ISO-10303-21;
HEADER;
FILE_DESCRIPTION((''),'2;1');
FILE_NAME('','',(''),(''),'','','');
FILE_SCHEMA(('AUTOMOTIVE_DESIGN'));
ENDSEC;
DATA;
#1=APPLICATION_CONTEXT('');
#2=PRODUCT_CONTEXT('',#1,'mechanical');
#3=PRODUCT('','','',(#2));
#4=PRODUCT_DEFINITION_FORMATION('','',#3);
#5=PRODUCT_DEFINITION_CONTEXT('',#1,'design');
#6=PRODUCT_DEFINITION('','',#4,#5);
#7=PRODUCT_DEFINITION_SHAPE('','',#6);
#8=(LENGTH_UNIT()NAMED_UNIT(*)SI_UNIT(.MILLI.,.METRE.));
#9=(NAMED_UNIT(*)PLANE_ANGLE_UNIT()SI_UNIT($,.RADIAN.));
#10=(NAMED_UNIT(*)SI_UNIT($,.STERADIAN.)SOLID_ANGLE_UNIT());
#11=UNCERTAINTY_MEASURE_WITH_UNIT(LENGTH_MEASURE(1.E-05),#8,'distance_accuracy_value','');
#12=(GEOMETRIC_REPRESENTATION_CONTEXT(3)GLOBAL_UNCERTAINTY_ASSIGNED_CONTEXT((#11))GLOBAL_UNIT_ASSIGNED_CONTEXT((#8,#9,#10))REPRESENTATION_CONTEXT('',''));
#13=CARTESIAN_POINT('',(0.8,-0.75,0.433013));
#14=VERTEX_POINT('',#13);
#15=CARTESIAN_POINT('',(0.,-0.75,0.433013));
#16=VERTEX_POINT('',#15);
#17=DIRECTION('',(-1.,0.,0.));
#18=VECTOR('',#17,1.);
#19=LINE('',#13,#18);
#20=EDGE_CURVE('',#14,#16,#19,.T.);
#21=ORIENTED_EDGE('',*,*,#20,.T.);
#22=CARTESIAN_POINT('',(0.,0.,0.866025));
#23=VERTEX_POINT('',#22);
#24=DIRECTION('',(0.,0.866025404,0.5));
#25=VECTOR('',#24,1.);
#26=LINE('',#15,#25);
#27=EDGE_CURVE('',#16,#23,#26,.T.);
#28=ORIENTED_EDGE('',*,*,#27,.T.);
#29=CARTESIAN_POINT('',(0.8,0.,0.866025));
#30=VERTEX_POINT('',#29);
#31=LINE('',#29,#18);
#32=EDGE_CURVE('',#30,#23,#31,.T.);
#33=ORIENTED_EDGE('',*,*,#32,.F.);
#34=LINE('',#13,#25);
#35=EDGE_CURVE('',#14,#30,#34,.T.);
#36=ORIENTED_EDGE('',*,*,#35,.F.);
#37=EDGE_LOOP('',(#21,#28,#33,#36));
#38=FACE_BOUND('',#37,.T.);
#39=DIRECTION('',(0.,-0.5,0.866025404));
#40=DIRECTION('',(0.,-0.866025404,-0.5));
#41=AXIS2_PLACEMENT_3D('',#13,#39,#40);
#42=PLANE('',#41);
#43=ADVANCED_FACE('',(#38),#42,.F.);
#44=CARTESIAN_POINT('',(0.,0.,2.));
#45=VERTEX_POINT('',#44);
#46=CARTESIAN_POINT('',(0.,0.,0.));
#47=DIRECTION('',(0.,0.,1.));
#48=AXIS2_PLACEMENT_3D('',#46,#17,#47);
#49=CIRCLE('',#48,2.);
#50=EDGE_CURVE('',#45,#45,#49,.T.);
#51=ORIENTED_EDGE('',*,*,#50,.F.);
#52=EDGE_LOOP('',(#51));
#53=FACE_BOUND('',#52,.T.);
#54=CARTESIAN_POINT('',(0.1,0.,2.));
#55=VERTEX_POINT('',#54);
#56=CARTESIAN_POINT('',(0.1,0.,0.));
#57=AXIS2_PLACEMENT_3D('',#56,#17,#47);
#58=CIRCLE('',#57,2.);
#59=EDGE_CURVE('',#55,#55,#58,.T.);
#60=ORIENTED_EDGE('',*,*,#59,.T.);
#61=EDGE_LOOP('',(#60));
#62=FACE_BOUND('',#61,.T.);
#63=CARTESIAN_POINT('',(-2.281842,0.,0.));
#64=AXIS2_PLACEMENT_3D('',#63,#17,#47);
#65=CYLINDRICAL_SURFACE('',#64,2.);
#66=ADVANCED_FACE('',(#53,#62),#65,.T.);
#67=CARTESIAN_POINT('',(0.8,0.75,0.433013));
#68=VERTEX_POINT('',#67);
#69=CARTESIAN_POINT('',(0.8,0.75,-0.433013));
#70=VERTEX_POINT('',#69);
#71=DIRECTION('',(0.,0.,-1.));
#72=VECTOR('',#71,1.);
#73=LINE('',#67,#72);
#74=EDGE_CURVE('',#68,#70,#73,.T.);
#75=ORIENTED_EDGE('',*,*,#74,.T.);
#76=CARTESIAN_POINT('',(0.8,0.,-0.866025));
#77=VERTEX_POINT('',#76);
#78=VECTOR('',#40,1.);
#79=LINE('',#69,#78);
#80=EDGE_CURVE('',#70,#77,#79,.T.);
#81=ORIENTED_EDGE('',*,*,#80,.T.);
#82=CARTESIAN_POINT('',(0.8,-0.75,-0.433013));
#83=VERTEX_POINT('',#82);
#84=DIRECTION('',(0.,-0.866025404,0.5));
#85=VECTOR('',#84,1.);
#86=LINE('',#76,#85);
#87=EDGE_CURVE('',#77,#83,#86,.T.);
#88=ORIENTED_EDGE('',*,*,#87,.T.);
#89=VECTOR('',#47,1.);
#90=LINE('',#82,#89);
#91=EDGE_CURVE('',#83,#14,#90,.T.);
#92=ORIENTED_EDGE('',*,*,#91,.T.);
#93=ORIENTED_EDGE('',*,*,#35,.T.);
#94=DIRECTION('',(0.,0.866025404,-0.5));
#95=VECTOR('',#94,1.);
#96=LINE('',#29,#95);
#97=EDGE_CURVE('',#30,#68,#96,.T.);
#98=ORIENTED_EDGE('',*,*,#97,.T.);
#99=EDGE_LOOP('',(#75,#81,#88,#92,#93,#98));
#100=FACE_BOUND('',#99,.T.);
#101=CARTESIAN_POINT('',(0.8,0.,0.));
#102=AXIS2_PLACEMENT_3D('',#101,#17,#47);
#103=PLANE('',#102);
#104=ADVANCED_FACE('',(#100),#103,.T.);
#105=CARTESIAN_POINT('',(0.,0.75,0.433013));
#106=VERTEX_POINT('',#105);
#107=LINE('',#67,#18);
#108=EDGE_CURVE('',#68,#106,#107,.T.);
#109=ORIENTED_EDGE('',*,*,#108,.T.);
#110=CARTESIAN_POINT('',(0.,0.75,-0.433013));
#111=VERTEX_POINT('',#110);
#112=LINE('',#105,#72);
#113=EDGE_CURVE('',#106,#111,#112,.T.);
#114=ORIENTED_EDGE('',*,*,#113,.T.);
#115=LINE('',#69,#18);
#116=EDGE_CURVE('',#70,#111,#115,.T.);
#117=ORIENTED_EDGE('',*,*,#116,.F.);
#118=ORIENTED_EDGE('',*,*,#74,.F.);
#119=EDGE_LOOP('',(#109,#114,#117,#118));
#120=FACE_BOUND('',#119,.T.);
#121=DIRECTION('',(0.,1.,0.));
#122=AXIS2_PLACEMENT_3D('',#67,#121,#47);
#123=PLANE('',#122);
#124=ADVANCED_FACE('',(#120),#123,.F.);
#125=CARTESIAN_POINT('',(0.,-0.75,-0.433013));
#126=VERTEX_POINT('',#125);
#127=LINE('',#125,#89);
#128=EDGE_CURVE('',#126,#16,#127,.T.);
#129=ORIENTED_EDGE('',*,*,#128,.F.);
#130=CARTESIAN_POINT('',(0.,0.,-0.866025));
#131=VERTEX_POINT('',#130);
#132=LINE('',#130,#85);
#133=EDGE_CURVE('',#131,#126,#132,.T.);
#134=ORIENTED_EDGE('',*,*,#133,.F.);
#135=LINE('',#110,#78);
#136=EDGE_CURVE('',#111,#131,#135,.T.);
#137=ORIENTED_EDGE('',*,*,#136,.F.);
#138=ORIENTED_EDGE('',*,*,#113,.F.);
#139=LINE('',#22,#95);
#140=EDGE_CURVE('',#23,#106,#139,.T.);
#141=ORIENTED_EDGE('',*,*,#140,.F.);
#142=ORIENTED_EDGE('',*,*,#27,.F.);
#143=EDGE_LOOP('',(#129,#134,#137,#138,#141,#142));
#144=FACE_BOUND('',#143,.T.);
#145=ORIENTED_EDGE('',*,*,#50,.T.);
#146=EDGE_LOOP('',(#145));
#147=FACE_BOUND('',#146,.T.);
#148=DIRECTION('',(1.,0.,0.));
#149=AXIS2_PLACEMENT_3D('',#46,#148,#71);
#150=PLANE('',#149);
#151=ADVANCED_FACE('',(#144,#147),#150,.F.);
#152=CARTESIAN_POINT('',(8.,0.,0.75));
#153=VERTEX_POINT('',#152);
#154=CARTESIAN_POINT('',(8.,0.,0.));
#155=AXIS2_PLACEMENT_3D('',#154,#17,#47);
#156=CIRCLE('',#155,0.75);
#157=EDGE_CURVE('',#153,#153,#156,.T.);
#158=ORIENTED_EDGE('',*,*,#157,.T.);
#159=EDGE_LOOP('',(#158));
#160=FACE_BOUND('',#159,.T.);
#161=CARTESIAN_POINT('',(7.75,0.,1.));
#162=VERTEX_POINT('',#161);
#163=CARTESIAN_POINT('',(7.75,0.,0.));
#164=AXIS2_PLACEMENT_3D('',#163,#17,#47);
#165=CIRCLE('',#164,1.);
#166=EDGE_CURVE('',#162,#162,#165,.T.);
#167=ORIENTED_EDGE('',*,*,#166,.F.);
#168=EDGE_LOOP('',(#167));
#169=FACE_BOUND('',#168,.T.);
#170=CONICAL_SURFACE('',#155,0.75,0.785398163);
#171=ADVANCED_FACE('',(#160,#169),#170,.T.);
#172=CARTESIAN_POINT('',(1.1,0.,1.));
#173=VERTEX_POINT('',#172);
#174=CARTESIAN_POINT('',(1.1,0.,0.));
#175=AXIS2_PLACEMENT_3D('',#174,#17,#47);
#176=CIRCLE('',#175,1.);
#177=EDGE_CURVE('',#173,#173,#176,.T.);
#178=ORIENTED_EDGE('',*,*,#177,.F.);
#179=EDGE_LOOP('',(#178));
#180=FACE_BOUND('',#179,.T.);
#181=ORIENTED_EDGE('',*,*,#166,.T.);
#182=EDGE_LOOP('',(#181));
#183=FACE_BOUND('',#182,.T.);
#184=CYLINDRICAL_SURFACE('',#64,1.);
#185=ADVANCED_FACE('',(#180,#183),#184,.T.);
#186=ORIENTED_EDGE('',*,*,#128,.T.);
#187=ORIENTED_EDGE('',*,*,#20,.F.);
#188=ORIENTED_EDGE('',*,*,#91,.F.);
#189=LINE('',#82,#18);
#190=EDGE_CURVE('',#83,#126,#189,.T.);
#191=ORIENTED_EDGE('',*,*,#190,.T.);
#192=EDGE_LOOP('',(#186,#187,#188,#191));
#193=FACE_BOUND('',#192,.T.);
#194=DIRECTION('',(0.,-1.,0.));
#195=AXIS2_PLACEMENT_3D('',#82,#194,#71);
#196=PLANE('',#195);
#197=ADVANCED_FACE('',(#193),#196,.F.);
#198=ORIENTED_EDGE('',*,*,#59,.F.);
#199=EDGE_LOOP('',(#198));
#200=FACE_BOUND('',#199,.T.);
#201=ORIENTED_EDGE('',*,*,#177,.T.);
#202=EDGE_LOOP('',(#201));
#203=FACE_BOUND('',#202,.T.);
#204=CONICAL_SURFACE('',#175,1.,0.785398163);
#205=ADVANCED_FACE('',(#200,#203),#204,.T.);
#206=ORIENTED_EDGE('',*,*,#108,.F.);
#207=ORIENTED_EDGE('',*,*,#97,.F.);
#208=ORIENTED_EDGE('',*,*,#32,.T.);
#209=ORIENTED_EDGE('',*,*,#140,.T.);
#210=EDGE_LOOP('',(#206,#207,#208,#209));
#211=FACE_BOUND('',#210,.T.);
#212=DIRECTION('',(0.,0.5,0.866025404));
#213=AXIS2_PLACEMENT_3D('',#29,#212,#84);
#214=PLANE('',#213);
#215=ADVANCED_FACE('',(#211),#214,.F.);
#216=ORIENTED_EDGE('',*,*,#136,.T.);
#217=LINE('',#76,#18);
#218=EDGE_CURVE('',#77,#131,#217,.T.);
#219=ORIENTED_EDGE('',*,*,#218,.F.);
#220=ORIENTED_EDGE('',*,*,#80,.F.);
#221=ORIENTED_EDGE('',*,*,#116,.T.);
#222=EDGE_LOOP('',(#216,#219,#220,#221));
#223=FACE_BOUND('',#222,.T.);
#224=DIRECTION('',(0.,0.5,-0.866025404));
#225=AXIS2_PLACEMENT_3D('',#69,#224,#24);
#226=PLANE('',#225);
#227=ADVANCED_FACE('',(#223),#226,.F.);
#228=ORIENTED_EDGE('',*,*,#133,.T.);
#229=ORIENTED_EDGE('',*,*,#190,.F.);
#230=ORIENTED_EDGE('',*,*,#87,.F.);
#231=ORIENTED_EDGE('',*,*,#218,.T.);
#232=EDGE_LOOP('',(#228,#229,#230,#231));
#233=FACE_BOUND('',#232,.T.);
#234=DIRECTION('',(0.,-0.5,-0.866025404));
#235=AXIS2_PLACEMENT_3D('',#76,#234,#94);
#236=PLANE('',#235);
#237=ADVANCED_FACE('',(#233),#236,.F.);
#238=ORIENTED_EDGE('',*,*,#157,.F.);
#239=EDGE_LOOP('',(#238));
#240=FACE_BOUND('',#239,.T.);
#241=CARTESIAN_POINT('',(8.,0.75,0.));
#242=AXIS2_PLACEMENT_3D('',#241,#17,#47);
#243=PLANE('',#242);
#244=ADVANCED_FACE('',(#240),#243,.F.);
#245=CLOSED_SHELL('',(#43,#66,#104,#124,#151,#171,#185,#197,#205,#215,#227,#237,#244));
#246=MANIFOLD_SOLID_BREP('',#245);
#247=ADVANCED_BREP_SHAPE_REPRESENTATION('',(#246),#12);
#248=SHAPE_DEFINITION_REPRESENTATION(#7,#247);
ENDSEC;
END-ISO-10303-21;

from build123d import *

# Parameters (mm, degrees)
CUT_EXTRUDE1_DEPTH = 0.8


with BuildPart() as part:
    # Sketch2 → Revolve1 (revolve)
    with BuildSketch(Plane.XY):
        Polygon((0, 0), (0, 2), (0.1, 2), (1.1, 1), (7.75, 1), (8, 0.75), (8, 0), align=None)
    revolve(axis=Axis((-2.281841559, 0, 0), (1, 0, 0)))

    # Sketch3 → Cut-Extrude1 (cut)
    with BuildSketch(Plane.ZY):
        Polygon((0.433012702, -0.75), (0.866025404, 0), (0.433012702, 0.75), (-0.433012702, 0.75), (-0.866025404, 0), (-0.433012702, -0.75), align=None)
    extrude(amount=-CUT_EXTRUDE1_DEPTH, mode=Mode.SUBTRACT)


solid = part.part
